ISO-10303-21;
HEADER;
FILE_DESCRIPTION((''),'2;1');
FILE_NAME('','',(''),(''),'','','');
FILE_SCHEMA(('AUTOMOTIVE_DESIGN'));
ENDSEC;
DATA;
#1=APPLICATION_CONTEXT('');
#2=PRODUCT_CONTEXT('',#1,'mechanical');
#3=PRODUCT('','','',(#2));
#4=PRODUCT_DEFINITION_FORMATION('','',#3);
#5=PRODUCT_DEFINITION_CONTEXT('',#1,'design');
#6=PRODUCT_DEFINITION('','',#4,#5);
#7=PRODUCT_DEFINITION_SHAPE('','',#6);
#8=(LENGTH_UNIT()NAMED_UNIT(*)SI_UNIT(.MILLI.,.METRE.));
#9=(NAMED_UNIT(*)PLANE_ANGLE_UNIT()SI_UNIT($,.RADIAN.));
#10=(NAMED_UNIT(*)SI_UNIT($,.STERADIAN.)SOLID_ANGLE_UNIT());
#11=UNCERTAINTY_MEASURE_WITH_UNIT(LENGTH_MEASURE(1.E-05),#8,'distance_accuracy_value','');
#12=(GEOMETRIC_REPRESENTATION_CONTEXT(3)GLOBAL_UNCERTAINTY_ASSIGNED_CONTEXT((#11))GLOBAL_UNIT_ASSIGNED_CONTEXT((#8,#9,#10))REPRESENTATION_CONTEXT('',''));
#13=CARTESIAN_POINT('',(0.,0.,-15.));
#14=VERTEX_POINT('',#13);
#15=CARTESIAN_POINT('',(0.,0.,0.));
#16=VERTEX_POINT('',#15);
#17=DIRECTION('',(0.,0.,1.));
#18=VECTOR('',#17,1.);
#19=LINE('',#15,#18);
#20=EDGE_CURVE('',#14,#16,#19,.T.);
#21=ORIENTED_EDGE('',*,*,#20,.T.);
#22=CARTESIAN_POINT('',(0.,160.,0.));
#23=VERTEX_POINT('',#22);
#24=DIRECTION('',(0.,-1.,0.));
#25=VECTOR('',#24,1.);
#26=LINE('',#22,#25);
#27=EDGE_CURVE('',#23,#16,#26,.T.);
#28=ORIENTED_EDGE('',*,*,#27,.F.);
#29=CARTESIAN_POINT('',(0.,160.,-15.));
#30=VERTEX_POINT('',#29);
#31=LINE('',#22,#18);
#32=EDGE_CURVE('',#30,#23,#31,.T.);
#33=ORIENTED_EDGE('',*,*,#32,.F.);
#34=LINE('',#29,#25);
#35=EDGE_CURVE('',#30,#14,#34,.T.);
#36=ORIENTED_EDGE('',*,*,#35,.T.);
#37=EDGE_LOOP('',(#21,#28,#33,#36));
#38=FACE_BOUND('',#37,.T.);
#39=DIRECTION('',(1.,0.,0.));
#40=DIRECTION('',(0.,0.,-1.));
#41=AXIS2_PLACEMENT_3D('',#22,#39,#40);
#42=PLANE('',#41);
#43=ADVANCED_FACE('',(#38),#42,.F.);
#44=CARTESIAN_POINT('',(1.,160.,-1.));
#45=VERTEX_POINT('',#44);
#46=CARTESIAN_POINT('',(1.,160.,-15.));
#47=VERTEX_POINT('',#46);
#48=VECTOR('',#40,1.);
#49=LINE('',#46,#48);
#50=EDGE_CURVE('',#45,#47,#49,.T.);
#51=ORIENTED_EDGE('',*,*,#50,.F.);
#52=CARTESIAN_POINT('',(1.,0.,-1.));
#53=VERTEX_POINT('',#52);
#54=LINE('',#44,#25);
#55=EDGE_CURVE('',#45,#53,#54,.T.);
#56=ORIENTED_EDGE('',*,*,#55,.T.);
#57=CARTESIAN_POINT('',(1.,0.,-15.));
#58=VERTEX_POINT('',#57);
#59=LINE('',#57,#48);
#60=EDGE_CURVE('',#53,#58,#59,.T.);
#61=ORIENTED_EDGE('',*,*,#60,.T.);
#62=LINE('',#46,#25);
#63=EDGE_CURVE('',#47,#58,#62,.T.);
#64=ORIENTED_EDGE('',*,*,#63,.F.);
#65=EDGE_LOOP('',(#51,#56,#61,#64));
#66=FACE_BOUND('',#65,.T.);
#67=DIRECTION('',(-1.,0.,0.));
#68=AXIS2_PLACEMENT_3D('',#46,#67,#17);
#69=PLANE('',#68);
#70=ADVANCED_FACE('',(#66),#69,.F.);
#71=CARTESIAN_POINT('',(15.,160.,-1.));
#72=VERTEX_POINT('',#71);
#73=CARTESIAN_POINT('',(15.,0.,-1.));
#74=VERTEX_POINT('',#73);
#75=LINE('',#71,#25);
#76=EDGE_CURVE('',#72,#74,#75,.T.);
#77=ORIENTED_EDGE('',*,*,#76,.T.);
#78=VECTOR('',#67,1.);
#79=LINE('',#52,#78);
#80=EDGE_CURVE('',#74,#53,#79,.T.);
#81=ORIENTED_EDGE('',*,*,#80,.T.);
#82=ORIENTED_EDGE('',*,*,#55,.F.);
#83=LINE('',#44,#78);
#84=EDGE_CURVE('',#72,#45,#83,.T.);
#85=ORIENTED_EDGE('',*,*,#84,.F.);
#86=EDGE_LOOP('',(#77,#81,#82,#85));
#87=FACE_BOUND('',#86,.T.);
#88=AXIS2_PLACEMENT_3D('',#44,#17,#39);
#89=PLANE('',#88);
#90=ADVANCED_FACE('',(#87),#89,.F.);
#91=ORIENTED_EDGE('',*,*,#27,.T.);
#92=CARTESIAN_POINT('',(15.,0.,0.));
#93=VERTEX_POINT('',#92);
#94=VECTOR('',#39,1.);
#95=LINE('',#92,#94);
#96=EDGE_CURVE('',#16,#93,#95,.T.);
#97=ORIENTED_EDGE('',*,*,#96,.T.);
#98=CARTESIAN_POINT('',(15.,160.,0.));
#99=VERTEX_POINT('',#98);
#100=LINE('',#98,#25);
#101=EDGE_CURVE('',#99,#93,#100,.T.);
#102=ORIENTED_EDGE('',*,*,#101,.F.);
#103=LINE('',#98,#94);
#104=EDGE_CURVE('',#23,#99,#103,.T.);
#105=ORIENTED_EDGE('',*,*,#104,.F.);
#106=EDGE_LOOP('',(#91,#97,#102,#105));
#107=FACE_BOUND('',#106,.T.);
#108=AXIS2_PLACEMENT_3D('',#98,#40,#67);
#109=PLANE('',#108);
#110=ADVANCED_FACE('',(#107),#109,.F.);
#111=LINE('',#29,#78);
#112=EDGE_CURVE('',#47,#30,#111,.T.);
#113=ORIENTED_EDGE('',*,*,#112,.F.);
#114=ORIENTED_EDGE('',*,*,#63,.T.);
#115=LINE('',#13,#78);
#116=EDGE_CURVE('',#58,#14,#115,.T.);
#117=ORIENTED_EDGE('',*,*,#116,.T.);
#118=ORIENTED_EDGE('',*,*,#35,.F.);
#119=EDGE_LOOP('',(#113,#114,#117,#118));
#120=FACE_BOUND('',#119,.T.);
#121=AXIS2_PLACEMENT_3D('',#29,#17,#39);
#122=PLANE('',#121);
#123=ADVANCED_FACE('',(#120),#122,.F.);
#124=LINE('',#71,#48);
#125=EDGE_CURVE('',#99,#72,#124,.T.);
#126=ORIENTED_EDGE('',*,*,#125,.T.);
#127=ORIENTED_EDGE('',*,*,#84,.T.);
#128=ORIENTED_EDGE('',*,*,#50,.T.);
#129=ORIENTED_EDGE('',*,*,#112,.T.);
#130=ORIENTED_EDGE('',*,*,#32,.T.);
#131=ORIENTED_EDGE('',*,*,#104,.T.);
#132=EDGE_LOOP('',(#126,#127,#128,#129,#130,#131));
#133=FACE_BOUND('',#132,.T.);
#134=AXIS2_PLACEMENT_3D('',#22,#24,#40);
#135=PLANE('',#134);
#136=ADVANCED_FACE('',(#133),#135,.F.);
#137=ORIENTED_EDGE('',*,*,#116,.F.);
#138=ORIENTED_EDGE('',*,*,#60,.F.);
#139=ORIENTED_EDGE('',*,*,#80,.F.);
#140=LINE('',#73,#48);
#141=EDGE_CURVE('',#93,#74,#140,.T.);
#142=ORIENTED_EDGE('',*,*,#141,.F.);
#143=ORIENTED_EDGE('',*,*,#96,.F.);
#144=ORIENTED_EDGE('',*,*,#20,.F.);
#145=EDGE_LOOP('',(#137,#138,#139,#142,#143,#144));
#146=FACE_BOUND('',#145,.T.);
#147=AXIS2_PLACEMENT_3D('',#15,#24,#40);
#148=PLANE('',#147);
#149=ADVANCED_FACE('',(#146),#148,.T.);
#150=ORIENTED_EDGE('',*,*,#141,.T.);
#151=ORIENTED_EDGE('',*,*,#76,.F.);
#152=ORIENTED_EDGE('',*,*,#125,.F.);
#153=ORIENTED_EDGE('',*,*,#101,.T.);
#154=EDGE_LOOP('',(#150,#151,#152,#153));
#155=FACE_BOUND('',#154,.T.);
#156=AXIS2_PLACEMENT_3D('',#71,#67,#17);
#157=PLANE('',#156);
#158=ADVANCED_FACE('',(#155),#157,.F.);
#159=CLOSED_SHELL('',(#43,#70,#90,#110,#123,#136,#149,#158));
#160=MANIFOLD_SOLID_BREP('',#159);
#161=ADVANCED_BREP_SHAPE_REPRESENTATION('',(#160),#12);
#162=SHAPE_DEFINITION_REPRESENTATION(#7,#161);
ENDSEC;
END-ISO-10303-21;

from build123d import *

# Parameters (mm, degrees)
EXTRUDE_1_DEPTH = 160


with BuildPart() as part:
    # Эскиз1 → Бобышка-Вытянуть1 (new body)
    with BuildSketch(Plane(origin=(0, 0, 0), x_dir=(1, 0, 0), z_dir=(0, 1, 0))):
        Polygon((0, 0), (0, 15), (1, 15), (1, 1), (15, 1), (15, 0), align=None)
    extrude(amount=EXTRUDE_1_DEPTH)


solid = part.part
